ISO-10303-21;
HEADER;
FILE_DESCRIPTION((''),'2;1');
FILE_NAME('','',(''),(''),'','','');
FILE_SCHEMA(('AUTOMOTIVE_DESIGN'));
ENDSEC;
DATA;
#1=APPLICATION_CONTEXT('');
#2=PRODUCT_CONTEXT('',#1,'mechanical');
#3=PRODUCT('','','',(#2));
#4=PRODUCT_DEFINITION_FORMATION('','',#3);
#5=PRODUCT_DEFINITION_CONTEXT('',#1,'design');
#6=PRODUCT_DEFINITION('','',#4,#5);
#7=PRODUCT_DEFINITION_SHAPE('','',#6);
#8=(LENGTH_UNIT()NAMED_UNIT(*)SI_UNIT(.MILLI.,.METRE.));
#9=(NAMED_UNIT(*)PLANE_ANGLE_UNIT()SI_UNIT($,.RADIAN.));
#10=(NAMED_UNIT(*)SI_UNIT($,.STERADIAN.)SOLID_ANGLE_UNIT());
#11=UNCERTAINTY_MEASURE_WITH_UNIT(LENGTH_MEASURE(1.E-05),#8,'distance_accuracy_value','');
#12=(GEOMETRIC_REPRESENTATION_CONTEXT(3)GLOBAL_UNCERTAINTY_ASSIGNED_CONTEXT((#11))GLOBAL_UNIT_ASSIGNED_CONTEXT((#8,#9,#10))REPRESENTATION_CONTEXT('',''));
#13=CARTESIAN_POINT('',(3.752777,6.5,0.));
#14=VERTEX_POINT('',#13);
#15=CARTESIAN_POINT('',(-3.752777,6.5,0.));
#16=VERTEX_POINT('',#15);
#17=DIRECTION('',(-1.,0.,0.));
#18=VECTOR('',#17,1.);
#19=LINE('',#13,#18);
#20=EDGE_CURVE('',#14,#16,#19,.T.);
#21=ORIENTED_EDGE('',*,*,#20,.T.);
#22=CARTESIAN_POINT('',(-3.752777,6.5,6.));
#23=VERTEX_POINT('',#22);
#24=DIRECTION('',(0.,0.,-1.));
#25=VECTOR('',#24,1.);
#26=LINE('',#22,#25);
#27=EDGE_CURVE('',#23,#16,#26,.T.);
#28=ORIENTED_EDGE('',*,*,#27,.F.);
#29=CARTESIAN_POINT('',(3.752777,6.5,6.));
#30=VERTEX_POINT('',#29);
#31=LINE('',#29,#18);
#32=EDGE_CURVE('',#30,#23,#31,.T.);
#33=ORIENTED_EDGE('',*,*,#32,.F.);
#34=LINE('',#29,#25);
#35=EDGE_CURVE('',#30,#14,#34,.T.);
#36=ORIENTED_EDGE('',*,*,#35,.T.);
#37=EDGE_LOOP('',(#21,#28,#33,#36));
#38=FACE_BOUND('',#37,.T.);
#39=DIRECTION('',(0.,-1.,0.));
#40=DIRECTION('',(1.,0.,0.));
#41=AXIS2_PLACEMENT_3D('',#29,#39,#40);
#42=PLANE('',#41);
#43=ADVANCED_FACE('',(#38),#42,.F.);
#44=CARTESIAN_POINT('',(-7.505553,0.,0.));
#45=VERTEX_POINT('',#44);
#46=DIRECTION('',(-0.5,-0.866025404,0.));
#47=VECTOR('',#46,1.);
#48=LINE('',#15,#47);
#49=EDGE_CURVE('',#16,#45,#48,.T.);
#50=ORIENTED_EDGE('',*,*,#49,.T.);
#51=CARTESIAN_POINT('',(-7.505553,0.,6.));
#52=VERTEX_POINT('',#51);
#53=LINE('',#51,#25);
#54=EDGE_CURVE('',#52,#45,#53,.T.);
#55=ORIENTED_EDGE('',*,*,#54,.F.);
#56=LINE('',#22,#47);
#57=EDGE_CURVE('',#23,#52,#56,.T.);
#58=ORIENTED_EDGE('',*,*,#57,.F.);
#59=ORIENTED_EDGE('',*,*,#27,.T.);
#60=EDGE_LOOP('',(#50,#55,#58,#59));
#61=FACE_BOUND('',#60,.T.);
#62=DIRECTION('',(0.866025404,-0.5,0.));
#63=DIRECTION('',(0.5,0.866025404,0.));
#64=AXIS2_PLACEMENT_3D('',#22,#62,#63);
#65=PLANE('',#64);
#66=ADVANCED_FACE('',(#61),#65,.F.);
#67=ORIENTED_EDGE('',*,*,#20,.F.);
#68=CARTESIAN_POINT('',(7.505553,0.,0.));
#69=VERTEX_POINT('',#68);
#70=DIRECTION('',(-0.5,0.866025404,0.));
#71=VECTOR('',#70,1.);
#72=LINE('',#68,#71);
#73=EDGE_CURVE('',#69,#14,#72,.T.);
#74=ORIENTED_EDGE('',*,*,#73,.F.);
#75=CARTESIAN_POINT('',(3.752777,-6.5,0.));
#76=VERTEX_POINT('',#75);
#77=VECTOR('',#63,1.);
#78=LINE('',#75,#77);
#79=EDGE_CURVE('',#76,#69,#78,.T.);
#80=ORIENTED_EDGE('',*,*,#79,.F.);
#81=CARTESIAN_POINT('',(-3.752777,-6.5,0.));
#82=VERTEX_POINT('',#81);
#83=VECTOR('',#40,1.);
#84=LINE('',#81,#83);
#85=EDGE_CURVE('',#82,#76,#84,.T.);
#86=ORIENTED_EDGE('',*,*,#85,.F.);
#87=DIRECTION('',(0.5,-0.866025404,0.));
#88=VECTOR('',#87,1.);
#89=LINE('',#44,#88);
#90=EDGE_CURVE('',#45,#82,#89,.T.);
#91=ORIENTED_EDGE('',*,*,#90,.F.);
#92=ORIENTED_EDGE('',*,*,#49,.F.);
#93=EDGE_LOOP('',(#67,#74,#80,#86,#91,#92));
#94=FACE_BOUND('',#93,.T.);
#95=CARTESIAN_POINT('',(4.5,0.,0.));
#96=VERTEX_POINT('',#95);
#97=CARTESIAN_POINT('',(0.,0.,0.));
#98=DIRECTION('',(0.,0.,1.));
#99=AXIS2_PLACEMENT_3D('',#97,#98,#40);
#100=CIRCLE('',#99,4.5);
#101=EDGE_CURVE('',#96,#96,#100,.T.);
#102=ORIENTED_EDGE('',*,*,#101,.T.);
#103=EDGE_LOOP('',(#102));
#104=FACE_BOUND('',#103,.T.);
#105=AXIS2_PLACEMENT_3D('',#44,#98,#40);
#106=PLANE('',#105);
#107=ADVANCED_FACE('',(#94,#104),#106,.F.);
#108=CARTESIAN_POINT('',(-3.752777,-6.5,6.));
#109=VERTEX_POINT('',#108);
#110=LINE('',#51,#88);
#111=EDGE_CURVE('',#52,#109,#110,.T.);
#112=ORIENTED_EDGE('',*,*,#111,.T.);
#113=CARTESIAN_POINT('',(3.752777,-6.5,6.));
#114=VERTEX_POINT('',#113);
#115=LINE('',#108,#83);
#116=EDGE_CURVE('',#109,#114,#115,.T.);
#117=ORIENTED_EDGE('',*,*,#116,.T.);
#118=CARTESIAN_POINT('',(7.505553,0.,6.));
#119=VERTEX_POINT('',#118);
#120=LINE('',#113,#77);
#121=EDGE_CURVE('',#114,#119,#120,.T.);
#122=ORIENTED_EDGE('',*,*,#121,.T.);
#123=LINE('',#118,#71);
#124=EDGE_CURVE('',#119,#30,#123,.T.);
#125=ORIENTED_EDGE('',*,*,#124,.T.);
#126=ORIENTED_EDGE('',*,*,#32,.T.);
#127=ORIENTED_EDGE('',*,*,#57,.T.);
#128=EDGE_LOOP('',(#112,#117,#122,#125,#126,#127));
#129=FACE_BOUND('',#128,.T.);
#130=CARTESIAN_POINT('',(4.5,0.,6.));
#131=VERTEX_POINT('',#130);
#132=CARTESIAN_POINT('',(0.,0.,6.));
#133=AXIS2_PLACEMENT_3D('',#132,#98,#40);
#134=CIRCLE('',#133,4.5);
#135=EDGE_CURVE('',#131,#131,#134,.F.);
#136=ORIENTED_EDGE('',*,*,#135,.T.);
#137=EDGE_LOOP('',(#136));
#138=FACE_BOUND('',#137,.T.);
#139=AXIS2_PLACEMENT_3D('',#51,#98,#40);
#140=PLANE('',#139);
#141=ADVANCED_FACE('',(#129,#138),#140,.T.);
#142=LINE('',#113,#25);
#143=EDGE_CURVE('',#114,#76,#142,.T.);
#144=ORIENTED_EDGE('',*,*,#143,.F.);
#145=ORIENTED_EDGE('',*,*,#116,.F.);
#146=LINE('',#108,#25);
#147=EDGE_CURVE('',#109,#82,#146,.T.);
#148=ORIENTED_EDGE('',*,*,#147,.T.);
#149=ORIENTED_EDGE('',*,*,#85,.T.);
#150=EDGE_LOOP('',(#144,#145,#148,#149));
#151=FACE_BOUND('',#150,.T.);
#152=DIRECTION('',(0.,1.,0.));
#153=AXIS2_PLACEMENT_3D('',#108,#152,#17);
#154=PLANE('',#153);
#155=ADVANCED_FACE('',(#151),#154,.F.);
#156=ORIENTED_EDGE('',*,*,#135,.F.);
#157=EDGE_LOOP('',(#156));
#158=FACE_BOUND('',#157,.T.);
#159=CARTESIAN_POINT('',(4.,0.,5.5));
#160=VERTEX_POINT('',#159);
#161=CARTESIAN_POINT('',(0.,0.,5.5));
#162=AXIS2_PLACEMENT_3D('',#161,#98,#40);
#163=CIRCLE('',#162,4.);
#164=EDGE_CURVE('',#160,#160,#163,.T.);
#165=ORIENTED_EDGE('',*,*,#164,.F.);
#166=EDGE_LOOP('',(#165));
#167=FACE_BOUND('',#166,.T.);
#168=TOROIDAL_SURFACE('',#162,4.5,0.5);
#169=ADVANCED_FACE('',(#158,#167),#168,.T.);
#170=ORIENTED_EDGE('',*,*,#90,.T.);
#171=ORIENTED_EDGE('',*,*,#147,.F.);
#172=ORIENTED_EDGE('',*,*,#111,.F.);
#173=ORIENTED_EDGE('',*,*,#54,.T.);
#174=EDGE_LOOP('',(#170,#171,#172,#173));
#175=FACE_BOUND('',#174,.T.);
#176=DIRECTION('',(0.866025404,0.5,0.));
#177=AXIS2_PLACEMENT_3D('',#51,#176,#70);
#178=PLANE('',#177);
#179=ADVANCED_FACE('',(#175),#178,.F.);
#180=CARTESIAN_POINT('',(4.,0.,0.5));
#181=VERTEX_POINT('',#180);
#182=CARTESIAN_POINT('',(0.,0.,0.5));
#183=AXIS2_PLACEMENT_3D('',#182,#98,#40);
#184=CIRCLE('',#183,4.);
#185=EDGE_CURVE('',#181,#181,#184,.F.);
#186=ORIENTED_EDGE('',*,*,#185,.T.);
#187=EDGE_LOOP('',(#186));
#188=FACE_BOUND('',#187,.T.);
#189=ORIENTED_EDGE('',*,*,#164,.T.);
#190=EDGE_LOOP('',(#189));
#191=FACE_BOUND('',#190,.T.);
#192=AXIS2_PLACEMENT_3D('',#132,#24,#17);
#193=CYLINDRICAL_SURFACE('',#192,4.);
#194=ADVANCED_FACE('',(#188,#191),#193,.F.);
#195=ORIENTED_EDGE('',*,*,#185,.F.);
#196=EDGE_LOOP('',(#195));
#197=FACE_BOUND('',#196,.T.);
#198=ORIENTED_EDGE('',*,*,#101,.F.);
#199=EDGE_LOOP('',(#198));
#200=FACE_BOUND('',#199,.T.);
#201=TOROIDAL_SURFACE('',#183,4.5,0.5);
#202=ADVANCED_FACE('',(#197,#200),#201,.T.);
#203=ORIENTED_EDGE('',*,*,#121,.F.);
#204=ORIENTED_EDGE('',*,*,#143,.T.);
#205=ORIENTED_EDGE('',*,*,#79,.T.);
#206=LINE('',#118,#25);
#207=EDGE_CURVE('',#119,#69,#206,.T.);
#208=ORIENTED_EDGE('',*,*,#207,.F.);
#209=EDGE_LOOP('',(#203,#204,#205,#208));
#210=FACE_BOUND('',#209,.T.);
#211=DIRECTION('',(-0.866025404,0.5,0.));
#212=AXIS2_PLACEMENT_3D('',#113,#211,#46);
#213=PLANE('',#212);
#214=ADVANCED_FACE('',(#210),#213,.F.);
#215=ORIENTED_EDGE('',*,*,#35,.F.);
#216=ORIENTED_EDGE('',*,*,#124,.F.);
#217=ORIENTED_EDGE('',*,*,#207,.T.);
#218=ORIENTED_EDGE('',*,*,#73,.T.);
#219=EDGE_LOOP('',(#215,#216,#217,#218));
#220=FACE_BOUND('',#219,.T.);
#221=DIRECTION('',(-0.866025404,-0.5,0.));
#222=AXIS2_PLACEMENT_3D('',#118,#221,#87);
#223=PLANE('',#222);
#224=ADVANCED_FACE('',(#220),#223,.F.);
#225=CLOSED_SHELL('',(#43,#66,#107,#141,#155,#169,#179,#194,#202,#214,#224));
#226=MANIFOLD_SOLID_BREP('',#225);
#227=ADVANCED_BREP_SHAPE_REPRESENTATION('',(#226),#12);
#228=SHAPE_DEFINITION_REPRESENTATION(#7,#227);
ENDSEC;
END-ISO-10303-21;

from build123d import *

# Parameters (mm, degrees)
ESQUISSE1_R      = 4
EXTRUSION1_DEPTH = 6
CONG_1_R         = 0.5


with BuildPart() as part:
    # Esquisse1 → Extrusion1 (new body)
    with BuildSketch(Plane.XY):
        Polygon((7.505553499, 0), (3.75277675, 6.5), (-3.75277675, 6.5), (-7.505553499, 0), (-3.75277675, -6.5), (3.75277675, -6.5), align=None)
        Circle(ESQUISSE1_R, mode=Mode.SUBTRACT)
    extrude(amount=EXTRUSION1_DEPTH)

    # Congé1
    cong_1_edges = [part.edges().sort_by_distance(p)[0] for p in [
        (-4, 0, 0),
        (-4, 0, 6),
    ]]
    fillet(cong_1_edges, radius=CONG_1_R)


solid = part.part
